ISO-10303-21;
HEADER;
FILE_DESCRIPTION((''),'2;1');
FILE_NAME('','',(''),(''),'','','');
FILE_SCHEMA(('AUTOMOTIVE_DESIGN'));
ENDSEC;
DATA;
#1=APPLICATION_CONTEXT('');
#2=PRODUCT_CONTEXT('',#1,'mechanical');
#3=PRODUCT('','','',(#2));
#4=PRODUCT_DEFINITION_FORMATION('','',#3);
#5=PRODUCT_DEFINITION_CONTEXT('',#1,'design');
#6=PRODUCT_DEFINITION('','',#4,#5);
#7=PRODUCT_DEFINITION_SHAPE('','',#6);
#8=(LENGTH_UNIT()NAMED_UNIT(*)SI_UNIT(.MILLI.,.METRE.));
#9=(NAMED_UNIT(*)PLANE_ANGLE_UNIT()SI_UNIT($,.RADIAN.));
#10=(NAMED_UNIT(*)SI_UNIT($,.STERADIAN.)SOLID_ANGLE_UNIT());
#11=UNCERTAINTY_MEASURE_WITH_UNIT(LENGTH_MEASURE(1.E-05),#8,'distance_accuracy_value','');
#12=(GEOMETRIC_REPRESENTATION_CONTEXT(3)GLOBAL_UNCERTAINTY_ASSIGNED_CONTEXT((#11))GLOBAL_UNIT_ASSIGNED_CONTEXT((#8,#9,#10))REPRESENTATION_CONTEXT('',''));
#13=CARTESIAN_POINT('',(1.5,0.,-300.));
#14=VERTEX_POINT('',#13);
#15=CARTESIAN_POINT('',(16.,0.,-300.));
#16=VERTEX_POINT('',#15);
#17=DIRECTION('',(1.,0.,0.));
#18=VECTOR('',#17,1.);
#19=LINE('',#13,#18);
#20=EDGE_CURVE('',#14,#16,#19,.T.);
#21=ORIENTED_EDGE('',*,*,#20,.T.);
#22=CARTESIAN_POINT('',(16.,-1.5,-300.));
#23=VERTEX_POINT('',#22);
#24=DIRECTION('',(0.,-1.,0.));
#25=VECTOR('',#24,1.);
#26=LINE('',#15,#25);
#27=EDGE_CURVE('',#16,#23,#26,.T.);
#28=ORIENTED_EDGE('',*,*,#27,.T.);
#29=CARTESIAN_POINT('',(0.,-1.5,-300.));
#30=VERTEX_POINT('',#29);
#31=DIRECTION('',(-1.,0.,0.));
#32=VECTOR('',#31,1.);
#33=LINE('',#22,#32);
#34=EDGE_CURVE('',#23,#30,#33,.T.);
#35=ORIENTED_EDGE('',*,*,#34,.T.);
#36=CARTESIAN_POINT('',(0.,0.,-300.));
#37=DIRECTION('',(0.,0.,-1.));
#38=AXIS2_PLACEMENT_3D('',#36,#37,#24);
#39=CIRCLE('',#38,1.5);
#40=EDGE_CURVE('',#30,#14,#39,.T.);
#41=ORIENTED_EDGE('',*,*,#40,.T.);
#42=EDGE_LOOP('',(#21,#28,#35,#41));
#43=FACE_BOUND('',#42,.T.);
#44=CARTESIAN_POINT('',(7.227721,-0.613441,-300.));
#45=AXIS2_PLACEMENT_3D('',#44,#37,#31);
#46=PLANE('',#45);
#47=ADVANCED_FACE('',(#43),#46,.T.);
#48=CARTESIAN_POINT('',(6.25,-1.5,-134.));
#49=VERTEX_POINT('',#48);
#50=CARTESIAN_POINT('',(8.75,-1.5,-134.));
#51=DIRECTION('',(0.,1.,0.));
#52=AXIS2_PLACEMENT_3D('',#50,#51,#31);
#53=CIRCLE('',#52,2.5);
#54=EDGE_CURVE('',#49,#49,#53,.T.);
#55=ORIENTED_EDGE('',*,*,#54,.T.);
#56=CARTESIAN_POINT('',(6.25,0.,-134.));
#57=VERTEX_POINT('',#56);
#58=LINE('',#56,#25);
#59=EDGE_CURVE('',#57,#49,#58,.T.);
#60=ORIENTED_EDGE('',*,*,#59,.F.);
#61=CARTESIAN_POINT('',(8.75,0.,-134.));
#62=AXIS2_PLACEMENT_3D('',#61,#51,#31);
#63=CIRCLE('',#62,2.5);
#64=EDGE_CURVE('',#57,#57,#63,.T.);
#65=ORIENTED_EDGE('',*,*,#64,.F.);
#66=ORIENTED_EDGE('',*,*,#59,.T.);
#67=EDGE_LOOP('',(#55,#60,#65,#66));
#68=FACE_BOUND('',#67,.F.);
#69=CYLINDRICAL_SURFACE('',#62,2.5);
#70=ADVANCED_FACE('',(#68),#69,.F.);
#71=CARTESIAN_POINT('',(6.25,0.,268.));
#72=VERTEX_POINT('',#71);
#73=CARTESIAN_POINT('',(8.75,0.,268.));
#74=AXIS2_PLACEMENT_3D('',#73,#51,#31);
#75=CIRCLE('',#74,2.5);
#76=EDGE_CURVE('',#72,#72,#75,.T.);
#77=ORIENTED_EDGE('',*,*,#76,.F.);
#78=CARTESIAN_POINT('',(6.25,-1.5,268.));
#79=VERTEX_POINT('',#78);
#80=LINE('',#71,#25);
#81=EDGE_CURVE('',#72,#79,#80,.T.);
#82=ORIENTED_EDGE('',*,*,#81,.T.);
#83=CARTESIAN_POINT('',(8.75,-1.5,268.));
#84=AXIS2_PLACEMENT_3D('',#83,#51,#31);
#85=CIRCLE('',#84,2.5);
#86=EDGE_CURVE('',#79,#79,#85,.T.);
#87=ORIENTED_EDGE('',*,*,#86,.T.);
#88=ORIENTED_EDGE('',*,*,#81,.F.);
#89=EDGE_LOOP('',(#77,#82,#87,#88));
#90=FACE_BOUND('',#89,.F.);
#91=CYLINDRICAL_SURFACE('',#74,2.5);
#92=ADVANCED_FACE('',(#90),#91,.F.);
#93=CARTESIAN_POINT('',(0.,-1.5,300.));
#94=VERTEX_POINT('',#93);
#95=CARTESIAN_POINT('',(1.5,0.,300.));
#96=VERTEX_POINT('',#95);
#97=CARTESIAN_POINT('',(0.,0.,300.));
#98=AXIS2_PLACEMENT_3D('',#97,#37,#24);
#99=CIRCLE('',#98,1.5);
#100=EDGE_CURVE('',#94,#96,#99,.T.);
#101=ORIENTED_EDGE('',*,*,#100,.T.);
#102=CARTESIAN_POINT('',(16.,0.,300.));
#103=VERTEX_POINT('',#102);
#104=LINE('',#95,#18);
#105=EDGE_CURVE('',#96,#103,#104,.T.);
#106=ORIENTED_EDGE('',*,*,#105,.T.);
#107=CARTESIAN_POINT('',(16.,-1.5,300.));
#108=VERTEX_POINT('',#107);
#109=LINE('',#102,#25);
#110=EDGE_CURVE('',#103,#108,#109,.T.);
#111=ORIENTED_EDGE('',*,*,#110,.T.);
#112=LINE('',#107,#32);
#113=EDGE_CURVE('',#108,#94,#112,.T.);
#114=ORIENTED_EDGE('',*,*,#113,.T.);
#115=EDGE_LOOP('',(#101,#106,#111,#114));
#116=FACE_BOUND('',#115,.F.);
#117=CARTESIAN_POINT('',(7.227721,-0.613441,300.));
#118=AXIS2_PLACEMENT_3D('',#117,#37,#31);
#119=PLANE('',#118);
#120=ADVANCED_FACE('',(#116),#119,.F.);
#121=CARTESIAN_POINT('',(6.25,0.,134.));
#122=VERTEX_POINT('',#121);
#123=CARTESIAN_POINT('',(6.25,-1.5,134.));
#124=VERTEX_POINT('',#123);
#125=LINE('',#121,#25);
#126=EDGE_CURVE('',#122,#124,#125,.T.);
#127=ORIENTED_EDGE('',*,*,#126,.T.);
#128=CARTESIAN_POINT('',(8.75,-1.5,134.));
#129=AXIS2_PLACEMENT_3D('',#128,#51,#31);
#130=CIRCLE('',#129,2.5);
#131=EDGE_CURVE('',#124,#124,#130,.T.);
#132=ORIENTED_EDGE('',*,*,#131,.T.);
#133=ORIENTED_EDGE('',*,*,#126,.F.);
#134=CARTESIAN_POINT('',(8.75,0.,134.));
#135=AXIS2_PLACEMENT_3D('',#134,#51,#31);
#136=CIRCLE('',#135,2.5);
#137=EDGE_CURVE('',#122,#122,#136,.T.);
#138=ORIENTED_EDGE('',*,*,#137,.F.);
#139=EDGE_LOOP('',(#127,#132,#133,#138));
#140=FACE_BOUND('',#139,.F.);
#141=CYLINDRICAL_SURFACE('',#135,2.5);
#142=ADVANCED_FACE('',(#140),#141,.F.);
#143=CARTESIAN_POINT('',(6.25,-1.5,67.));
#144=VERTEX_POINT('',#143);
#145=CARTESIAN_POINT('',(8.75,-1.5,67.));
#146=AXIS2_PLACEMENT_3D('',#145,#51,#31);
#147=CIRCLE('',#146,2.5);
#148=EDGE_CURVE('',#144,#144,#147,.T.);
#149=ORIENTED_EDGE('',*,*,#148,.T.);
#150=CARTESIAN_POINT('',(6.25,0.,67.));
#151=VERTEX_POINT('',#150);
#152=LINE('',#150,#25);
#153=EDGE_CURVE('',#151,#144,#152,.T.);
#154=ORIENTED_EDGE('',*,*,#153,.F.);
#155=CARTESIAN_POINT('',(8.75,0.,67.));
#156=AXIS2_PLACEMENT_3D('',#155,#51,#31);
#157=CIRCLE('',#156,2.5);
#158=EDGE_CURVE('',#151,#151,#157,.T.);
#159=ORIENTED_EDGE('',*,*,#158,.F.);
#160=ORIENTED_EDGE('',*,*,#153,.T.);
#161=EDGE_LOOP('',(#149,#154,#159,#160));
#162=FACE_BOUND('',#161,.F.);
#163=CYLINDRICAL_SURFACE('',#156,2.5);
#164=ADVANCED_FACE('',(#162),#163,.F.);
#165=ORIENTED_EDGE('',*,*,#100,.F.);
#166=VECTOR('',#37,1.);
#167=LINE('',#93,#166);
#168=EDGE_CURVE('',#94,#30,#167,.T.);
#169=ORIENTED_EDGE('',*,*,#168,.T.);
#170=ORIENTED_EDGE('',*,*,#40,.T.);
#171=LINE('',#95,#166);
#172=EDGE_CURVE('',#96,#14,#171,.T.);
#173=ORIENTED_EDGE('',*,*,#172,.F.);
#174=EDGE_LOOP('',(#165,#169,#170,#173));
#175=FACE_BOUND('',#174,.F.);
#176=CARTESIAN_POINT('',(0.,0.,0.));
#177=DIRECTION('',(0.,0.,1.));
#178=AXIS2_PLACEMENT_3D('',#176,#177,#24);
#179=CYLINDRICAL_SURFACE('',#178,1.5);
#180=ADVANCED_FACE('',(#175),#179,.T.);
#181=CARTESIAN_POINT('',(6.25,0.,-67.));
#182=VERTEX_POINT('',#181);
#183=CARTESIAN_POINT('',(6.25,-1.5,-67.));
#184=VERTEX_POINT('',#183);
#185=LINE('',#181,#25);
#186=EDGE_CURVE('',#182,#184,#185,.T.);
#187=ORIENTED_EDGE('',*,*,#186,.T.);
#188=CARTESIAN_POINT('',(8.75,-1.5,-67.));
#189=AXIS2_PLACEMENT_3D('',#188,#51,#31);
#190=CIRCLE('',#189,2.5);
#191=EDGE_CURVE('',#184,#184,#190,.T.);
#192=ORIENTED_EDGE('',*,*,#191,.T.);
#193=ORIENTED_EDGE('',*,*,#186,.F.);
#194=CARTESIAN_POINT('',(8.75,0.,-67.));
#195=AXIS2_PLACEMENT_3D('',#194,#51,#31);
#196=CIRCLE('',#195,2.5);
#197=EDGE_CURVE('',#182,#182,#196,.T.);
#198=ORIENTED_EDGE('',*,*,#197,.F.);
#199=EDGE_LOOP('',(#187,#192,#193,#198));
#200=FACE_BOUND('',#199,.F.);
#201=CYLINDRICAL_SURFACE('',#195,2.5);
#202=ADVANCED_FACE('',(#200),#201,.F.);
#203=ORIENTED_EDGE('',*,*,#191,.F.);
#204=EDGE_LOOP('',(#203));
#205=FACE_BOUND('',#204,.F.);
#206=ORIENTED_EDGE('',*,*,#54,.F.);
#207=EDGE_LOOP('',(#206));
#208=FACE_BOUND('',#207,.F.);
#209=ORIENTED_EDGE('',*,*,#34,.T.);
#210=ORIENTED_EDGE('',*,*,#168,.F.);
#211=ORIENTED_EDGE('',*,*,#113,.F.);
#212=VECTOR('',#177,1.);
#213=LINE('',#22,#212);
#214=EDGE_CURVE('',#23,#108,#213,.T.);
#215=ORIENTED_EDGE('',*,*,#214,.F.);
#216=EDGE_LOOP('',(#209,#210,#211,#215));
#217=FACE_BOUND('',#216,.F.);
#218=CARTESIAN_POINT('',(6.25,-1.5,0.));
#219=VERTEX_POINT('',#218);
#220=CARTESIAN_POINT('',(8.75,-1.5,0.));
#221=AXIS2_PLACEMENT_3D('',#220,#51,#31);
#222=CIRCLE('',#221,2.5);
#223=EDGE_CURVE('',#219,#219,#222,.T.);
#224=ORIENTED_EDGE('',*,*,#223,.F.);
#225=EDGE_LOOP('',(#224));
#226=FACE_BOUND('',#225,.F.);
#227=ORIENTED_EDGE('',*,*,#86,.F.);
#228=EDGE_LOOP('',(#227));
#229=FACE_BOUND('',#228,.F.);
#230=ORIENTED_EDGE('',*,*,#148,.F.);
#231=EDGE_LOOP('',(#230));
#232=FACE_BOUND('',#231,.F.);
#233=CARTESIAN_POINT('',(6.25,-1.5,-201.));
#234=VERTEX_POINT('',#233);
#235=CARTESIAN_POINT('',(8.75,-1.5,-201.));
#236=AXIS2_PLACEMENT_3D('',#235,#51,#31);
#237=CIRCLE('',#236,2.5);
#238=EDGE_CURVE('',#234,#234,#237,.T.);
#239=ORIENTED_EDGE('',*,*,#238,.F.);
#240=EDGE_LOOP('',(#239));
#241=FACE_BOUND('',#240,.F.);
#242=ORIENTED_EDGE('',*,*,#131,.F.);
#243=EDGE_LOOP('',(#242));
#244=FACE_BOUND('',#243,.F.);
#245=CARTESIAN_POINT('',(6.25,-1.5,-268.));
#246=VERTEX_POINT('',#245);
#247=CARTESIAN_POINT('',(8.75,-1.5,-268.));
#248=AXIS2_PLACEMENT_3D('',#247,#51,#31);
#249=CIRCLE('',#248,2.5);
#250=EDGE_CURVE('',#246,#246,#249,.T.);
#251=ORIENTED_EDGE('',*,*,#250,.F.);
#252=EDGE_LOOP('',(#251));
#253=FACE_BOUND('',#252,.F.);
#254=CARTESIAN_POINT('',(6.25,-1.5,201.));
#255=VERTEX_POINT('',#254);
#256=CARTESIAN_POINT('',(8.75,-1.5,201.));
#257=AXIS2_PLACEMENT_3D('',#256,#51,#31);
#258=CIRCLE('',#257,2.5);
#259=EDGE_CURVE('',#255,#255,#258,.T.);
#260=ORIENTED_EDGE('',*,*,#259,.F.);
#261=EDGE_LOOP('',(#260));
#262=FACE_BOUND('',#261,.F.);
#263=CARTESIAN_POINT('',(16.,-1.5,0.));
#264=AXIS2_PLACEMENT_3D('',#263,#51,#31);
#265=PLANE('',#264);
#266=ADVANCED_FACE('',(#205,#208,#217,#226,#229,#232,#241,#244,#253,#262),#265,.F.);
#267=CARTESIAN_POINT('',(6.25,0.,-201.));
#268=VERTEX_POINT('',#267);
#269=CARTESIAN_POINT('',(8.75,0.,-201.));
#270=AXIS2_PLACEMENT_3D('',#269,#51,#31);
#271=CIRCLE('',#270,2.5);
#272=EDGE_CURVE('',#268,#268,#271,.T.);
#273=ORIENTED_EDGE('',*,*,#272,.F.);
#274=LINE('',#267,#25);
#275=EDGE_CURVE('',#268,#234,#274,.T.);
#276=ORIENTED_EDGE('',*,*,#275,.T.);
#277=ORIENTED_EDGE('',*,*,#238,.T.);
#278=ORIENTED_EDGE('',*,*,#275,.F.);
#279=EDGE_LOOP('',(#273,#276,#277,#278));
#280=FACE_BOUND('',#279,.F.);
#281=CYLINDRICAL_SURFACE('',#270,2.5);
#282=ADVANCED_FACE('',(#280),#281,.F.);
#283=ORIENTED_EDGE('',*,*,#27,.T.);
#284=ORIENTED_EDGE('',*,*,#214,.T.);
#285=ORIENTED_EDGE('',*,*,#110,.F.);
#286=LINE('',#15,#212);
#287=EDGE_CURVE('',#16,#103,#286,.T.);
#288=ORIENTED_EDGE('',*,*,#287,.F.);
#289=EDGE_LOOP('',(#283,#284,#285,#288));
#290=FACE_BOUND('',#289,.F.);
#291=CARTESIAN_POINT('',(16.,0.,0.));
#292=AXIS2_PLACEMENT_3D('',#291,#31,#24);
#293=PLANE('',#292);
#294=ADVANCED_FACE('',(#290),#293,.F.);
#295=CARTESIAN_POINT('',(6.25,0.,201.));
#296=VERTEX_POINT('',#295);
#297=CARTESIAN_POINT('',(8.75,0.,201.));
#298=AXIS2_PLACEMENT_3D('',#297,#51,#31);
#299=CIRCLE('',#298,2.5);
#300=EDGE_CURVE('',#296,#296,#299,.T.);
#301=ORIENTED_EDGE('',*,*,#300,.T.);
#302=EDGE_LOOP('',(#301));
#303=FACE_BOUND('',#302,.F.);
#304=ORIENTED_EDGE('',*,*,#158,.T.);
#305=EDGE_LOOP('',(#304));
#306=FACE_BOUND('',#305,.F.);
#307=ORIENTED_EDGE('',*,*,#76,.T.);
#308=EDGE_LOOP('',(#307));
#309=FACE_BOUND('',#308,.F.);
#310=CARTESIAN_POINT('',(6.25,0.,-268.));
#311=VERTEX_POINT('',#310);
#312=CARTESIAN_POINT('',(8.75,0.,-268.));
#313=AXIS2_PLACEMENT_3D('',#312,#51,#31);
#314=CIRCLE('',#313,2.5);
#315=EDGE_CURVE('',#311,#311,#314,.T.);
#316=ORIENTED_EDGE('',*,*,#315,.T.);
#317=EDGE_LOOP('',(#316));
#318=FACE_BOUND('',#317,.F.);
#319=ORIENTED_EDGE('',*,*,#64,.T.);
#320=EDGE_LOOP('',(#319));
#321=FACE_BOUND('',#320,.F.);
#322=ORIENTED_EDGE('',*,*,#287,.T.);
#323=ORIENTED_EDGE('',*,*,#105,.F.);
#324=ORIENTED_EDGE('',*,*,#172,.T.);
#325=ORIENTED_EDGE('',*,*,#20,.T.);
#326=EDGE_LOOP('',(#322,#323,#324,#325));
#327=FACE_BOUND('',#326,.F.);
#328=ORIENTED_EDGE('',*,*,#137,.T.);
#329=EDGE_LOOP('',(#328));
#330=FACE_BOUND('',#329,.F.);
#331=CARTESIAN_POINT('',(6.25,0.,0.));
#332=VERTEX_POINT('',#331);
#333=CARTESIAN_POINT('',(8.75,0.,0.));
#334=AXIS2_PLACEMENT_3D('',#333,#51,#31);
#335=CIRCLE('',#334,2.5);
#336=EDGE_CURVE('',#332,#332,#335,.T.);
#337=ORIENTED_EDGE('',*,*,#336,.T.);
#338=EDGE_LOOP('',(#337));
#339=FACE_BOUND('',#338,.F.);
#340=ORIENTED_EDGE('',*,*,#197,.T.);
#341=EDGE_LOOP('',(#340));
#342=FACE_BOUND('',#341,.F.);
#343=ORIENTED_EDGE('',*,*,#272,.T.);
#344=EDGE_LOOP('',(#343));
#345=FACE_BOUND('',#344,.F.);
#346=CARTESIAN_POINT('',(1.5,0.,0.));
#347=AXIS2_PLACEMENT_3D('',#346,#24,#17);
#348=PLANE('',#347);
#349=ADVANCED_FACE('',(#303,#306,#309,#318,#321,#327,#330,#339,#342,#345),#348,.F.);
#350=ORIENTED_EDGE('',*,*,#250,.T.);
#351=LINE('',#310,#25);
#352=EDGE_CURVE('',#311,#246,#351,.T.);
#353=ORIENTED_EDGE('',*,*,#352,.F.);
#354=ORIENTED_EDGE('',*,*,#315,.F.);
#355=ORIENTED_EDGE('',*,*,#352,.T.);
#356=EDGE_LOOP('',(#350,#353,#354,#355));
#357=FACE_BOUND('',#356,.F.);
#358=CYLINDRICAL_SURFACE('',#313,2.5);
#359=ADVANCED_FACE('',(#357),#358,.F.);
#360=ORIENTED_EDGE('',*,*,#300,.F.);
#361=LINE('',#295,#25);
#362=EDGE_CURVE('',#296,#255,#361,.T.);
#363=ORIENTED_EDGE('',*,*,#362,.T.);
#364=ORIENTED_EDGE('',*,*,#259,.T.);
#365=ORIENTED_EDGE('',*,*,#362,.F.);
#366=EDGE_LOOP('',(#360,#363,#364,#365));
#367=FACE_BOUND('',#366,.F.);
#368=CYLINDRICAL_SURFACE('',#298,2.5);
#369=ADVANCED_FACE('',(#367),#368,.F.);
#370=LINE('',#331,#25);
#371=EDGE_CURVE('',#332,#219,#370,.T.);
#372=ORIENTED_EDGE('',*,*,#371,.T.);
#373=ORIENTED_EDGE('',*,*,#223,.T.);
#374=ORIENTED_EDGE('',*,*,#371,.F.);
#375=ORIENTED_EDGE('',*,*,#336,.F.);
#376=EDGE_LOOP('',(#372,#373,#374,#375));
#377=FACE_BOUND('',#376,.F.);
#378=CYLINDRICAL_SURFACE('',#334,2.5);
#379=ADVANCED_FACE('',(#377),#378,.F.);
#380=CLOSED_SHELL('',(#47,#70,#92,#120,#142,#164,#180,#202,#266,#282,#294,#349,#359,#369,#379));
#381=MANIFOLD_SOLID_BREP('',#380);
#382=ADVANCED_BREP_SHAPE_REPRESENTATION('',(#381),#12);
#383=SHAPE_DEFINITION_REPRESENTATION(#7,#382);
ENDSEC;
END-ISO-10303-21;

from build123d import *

# Parameters (mm, degrees)
BOSS_EXTRU_1_DEPTH         = 300
ESQUISSE2_R                = 2.5
ENL_V_MAT_EXTRU_1_DEPTH    = 301.430108345
R_P_TITION_LIN_AIRE1_COUNT = 9
R_P_TITION_LIN_AIRE1_PITCH = 67


with BuildPart() as part:
    # Esquisse1 → Boss.-Extru.1 (new, symmetric)
    with BuildSketch(Plane.XY):
        with BuildLine():
            Line((16, -1.5), (0, -1.5))
            ThreePointArc((0, -1.5), (-1.060660172, 1.060660172), (1.5, 0))
            Line((1.5, 0), (16, 0))
            Line((16, 0), (16, -1.5))
        make_face()
    extrude(amount=BOSS_EXTRU_1_DEPTH, both=True)

    # Esquisse2 → Enlèv. mat.-Extru.1 (cut, through all)
    with BuildSketch(Plane(origin=(0, 0, 0), x_dir=(1, 0, 0), z_dir=(0, 1, 0))):
        with Locations(Location((8.75, -268, 0), (0, 0, 180))):
            Circle(ESQUISSE2_R)
    enl_v_mat_extru_1 = extrude(amount=-ENL_V_MAT_EXTRU_1_DEPTH, mode=Mode.SUBTRACT)

    # Répétition linéaire1: Enlèv. mat.-Extru.1 ×9
    with Locations(*[(0, 0, -i * R_P_TITION_LIN_AIRE1_PITCH) for i in range(1, R_P_TITION_LIN_AIRE1_COUNT)]):
        add(enl_v_mat_extru_1, mode=Mode.SUBTRACT)


solid = part.part
